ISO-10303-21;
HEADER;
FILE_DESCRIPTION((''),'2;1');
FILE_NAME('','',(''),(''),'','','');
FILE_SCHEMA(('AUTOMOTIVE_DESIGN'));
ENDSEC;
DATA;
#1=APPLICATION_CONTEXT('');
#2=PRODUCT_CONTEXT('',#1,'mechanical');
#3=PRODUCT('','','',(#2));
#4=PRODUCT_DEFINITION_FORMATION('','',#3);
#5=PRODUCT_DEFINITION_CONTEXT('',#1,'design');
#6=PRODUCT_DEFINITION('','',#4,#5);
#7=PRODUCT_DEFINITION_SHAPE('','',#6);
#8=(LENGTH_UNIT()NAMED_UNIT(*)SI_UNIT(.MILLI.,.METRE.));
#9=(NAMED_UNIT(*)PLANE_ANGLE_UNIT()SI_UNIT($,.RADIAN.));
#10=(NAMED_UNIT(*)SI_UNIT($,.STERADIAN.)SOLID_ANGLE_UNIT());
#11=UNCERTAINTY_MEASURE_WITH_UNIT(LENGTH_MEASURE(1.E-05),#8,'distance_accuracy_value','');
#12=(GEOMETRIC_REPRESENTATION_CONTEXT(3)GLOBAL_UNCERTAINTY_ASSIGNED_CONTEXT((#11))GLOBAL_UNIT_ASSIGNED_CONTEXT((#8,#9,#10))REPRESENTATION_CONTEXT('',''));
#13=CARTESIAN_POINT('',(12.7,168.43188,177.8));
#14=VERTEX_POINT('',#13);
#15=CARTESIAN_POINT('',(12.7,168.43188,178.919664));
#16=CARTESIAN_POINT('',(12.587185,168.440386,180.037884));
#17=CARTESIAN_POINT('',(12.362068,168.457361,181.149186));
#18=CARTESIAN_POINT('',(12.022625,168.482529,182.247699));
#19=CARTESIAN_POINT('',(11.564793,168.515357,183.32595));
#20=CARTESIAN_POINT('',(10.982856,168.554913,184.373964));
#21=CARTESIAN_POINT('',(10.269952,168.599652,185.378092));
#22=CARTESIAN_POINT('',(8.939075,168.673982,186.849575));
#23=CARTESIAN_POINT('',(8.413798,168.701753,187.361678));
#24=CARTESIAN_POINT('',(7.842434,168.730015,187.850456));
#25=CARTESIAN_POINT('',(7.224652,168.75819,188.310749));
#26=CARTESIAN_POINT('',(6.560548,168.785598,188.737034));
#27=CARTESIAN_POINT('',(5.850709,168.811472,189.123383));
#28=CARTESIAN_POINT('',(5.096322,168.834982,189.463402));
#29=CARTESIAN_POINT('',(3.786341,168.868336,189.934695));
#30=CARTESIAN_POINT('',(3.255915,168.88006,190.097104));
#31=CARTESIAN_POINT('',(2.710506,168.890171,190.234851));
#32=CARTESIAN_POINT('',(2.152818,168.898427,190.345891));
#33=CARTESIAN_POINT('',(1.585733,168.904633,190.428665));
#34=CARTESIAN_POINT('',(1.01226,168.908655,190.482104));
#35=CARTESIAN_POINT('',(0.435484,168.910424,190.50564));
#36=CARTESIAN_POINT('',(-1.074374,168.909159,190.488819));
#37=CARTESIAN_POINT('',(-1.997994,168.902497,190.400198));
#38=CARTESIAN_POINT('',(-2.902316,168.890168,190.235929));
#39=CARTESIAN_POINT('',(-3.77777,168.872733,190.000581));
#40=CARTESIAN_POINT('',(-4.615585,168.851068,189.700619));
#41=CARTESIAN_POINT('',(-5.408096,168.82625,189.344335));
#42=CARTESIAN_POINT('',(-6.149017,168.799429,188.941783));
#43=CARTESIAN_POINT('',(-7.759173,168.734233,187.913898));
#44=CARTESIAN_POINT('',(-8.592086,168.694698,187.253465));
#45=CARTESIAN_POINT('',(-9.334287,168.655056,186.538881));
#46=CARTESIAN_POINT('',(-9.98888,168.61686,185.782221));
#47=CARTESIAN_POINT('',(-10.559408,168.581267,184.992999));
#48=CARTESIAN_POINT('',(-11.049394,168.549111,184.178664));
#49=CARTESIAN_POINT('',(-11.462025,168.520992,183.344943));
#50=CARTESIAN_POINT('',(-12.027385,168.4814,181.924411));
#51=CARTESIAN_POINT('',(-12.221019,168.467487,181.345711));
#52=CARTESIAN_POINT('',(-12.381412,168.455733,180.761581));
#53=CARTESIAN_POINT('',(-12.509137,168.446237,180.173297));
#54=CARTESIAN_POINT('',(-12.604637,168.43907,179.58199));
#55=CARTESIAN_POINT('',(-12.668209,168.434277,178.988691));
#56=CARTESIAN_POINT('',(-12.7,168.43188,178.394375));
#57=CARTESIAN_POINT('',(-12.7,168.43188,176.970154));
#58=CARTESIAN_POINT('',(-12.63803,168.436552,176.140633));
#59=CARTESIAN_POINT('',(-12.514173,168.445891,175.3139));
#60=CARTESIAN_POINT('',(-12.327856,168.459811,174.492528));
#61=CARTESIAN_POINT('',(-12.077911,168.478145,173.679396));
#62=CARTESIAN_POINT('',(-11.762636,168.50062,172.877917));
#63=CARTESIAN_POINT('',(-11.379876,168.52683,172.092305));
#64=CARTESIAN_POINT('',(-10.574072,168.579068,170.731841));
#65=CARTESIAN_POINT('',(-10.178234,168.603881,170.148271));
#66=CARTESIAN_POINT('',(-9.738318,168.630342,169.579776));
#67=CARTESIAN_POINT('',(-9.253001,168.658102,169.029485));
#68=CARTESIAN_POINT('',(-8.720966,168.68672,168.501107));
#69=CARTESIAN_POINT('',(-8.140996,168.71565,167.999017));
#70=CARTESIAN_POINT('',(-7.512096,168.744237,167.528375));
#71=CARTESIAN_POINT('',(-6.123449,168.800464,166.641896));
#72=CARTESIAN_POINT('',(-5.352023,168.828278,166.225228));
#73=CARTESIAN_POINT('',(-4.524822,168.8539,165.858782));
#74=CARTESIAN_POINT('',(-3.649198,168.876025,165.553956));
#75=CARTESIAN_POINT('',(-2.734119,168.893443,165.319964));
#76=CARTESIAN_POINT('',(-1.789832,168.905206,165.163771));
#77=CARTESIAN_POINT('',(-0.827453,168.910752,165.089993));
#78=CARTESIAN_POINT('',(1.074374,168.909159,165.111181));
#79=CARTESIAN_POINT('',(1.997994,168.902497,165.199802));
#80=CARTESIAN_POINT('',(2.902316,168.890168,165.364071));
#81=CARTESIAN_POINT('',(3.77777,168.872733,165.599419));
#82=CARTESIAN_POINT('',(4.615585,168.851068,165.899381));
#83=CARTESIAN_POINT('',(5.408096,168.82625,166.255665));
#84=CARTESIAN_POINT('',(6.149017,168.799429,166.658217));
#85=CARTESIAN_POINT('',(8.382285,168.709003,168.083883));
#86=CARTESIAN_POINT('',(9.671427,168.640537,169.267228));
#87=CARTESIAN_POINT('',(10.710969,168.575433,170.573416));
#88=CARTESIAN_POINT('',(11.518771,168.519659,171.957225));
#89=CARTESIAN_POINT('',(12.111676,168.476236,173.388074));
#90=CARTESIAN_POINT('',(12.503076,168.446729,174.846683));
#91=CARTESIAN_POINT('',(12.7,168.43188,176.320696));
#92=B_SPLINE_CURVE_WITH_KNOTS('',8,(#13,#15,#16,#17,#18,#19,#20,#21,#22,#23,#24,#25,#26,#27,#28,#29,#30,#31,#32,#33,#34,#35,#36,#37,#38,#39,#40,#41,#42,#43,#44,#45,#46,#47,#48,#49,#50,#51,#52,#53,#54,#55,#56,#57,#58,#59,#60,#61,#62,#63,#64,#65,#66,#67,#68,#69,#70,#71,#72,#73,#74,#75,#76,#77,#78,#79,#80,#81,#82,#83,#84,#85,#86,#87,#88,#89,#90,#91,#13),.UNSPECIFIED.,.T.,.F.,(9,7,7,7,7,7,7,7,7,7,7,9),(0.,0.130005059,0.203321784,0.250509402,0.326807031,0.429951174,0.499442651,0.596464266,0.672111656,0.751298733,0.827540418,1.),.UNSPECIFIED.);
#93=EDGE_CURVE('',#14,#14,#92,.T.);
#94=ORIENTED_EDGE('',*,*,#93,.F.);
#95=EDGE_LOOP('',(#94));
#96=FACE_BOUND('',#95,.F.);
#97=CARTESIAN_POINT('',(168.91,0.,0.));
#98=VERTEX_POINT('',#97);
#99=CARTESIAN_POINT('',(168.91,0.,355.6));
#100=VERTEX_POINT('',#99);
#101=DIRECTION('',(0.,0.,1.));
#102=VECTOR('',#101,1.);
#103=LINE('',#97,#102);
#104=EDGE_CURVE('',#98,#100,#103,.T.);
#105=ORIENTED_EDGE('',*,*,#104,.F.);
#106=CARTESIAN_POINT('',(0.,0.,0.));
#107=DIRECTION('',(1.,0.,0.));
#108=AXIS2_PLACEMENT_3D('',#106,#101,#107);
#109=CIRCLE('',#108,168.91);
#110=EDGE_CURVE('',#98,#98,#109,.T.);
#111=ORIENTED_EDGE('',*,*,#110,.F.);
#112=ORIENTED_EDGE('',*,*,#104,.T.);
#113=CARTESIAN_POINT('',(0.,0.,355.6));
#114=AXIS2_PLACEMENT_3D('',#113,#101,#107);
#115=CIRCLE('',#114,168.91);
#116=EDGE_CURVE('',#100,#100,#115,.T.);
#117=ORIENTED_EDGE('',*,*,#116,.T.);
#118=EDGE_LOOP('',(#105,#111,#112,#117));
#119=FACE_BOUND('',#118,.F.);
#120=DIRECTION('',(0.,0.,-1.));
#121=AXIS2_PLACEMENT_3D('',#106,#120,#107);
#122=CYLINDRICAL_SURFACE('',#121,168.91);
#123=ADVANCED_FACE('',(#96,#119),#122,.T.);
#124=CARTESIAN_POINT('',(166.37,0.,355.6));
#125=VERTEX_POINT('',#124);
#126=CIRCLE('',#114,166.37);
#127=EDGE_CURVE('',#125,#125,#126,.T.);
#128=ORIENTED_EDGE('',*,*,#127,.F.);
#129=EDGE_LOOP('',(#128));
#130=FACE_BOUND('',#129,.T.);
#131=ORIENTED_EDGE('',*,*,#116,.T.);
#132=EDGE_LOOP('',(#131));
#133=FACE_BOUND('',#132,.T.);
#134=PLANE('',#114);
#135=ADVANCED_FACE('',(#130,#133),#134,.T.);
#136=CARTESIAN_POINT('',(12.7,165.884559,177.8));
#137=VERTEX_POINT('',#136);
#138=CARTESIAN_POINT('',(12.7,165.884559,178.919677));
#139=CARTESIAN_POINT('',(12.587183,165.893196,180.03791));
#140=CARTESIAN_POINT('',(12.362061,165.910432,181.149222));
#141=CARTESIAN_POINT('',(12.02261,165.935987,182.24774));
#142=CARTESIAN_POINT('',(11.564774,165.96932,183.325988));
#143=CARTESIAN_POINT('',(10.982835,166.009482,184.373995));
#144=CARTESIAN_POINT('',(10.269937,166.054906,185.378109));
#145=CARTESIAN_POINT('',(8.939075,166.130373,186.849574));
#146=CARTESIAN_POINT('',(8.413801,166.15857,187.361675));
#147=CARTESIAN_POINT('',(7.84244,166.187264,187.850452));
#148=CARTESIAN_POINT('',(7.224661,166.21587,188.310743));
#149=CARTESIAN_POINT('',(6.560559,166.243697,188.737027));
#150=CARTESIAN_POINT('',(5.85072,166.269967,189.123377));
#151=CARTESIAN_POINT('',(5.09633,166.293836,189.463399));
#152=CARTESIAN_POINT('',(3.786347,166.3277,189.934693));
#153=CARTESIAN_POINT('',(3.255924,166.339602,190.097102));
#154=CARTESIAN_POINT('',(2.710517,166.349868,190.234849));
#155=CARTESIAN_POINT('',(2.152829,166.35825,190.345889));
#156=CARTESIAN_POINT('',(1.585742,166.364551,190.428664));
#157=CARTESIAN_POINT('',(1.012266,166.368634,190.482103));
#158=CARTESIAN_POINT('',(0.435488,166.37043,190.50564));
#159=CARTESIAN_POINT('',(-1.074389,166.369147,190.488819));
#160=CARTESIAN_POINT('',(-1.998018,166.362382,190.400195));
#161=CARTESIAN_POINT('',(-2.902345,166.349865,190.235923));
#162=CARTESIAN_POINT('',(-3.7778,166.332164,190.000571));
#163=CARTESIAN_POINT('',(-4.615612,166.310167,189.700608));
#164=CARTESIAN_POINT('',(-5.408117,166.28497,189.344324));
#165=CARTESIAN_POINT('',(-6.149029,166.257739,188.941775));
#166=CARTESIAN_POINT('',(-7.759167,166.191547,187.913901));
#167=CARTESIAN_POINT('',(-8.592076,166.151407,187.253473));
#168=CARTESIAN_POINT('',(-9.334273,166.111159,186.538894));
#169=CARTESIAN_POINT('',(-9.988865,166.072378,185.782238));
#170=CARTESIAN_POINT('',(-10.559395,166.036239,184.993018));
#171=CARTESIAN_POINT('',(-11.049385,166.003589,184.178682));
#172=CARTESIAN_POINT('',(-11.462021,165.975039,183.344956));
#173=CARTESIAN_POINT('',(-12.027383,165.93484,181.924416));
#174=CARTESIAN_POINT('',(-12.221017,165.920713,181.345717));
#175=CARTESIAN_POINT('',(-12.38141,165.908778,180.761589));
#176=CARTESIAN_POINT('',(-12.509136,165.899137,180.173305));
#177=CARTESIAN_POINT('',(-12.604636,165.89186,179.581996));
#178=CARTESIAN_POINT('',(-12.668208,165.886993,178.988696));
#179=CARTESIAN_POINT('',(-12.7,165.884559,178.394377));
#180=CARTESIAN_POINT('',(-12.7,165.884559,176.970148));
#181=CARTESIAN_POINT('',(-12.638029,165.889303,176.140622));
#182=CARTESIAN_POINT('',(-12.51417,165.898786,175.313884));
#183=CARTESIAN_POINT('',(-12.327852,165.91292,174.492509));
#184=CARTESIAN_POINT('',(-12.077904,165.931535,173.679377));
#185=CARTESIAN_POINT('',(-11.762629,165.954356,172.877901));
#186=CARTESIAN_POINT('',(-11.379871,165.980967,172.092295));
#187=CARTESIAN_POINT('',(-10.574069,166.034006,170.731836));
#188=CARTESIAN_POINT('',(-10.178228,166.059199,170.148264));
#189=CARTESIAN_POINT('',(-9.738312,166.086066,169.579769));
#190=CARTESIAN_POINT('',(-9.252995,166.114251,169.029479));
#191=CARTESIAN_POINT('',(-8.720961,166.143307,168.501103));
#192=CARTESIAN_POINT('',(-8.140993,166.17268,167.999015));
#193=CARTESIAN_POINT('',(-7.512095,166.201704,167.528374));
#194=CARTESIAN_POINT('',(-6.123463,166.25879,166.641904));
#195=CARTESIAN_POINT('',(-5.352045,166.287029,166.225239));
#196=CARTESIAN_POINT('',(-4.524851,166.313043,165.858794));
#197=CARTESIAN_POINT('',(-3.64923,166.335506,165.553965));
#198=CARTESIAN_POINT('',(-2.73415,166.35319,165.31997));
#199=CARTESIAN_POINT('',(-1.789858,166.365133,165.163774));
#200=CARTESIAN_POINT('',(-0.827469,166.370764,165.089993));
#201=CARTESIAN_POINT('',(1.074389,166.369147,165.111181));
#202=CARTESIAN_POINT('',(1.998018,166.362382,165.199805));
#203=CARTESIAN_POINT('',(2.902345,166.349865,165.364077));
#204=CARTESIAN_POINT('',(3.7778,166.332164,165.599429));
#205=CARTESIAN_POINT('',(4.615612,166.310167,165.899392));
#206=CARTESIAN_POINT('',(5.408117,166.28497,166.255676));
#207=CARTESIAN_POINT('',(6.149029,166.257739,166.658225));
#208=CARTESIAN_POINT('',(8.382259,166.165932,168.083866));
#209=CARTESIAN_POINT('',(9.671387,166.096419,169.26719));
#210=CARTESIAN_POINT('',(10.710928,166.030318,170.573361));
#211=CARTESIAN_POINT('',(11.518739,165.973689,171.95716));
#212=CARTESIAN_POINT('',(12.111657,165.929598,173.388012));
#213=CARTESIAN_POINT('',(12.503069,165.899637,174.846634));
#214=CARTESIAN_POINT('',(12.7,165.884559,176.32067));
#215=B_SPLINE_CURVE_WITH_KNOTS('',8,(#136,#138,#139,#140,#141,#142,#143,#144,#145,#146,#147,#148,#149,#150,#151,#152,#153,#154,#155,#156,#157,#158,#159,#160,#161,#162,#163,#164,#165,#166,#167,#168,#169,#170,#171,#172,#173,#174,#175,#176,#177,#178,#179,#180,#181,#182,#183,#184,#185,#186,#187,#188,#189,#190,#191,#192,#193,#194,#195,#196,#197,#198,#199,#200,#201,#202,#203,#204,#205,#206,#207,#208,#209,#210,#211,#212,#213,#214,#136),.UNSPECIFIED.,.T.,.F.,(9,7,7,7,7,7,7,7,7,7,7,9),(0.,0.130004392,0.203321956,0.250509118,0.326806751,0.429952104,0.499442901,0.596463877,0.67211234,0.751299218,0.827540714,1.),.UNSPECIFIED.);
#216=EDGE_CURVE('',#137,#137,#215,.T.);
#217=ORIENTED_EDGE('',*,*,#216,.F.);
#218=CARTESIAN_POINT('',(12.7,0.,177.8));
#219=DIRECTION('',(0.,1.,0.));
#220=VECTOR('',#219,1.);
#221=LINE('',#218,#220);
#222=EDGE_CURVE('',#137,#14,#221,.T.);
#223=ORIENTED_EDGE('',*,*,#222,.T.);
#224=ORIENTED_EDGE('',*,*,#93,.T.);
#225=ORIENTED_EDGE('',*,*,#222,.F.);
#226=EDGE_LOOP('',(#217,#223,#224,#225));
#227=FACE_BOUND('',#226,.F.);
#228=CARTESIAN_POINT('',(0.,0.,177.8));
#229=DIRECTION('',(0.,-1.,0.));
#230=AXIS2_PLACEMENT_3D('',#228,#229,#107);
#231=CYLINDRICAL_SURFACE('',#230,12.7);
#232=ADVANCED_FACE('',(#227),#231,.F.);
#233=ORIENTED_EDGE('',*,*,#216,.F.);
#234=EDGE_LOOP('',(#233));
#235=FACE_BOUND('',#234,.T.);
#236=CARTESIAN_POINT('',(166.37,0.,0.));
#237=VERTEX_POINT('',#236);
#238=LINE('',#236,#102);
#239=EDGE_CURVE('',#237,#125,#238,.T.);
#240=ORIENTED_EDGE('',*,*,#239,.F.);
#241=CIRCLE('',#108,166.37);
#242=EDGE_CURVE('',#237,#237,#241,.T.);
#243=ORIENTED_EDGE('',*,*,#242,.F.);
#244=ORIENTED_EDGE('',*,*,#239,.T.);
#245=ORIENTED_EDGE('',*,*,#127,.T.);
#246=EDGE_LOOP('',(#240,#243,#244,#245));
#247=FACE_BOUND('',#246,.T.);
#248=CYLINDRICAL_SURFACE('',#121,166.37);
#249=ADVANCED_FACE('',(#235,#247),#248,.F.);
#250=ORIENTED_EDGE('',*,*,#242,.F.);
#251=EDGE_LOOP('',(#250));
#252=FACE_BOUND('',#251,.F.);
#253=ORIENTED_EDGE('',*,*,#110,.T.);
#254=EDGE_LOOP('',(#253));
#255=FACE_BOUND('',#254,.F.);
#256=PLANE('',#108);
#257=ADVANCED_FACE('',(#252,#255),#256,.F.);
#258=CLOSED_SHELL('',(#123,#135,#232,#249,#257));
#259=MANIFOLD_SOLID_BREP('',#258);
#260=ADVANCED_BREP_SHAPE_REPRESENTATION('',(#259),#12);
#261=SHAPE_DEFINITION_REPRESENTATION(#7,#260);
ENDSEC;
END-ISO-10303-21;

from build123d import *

# Parameters (mm, degrees)
F0_R     = 168.91
F0_R_2   = 166.37
F1_DEPTH = 355.6
F2_R     = 12.7
F3_DEPTH = 168.911


with BuildPart() as f1:
    # F0 (on Top) → F1 (new body)
    with BuildSketch(Plane.XY):
        Circle(F0_R)
        Circle(F0_R_2, mode=Mode.SUBTRACT)
    extrude(amount=F1_DEPTH)

    # F2 (on Front) → F3 (cut, through all)
    with BuildSketch(Plane.XZ):
        with Locations((0, 177.8)):
            Circle(F2_R)
    extrude(amount=-F3_DEPTH, mode=Mode.SUBTRACT)


solid = f1.part
